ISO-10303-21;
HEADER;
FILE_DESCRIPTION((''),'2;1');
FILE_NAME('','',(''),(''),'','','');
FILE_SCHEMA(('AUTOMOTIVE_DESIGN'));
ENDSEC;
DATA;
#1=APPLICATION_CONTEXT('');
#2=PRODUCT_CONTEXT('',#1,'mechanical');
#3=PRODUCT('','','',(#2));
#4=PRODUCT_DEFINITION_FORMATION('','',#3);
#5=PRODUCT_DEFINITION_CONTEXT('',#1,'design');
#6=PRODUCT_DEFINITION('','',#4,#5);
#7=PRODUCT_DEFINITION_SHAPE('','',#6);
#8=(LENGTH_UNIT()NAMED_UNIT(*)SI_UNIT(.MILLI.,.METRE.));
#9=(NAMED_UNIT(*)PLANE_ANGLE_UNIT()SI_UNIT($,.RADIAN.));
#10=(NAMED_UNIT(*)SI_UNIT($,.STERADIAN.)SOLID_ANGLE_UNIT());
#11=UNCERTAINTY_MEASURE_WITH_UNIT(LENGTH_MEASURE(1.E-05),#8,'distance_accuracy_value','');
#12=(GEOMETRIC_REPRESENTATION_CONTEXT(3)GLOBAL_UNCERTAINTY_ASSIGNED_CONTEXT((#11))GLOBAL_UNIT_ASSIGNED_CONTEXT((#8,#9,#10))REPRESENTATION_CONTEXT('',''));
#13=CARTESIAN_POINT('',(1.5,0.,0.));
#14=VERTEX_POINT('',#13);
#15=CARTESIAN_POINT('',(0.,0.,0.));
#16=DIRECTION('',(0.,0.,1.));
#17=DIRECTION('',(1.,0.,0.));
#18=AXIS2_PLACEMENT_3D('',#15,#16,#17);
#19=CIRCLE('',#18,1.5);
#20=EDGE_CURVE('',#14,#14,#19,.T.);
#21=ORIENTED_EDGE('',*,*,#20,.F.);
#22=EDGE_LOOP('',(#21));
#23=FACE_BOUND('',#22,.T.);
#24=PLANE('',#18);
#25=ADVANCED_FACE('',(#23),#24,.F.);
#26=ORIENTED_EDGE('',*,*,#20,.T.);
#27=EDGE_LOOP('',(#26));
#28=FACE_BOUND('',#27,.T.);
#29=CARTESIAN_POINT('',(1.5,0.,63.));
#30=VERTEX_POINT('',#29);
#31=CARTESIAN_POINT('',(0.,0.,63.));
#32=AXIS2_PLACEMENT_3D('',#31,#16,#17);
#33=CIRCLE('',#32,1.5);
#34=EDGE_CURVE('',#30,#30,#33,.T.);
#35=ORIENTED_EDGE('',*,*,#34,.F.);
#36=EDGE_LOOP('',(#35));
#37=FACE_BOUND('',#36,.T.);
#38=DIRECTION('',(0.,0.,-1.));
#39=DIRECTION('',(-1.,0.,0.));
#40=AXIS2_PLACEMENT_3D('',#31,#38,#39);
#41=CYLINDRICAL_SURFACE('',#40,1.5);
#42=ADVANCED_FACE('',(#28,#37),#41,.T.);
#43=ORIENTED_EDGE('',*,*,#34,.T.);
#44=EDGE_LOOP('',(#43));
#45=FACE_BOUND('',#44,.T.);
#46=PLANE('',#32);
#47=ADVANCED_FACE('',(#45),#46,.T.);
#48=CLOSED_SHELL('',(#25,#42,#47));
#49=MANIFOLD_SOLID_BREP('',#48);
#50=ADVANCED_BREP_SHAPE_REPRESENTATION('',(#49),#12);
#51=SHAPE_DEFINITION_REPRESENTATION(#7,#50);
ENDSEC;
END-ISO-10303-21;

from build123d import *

# Parameters (mm, degrees)
SKETCH_1_R      = 1.5
EXTRUDE_1_DEPTH = 63


with BuildPart() as part:
    # ｽｹｯﾁ1 → ﾎﾞｽ - 押し出し1 (new body)
    with BuildSketch(Plane.XY):
        Circle(SKETCH_1_R)
    extrude(amount=EXTRUDE_1_DEPTH)


solid = part.part
